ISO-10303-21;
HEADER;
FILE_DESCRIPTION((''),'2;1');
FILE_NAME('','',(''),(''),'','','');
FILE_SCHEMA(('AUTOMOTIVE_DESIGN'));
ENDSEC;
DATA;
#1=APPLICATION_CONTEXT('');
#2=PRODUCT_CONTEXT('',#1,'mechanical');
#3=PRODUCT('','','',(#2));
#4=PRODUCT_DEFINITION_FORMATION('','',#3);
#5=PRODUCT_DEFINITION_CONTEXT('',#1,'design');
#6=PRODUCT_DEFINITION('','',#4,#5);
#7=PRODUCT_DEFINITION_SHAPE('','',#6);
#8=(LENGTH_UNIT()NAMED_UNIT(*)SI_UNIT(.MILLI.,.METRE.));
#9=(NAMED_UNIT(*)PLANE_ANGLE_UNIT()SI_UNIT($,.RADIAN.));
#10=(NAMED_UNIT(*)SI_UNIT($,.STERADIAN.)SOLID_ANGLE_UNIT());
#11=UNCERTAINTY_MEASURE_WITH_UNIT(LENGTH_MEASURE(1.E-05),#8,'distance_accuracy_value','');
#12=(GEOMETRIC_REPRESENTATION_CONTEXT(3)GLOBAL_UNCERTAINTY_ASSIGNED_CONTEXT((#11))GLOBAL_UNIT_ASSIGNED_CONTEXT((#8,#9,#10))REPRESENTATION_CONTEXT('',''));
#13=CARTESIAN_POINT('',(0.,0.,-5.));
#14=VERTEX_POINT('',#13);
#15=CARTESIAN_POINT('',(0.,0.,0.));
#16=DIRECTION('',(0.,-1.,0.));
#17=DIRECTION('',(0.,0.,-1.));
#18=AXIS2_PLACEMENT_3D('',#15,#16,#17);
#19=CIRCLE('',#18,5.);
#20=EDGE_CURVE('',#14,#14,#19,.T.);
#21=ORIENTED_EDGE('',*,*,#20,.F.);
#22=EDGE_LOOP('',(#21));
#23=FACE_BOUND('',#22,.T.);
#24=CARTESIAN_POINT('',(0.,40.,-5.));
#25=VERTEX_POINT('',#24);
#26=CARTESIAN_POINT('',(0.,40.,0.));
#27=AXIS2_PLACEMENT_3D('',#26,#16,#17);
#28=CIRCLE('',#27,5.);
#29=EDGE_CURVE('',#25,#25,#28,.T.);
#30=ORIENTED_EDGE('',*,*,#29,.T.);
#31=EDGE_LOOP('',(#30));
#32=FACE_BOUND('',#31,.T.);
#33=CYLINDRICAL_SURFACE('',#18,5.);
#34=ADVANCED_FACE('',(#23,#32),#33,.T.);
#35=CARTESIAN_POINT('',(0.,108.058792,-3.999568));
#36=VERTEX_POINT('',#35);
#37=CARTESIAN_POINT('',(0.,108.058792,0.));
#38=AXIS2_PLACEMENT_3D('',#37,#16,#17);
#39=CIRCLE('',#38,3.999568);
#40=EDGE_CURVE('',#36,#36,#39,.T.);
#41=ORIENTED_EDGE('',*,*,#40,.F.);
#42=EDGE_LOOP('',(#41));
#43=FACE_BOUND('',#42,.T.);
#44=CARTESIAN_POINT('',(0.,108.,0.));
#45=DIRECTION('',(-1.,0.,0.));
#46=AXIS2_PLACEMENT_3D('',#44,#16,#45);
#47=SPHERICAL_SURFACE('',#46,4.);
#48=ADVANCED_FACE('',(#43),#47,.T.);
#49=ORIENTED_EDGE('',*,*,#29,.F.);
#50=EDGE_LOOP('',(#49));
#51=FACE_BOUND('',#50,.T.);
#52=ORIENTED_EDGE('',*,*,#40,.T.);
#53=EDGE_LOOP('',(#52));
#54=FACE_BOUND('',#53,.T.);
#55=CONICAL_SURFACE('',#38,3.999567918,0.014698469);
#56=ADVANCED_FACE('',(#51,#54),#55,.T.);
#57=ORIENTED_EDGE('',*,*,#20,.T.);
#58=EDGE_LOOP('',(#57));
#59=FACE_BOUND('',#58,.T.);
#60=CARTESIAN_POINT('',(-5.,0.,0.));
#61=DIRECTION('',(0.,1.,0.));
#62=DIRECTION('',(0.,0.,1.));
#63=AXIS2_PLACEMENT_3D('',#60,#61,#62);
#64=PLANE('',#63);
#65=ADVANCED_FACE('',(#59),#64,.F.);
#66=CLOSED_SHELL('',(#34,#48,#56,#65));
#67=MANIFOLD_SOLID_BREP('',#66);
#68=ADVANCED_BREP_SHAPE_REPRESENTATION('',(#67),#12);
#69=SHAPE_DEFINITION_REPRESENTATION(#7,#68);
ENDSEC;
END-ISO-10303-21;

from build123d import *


with BuildPart() as part:
    # Sketch1 → Revolve1 (revolve)
    with BuildSketch(Plane.XY, mode=Mode.PRIVATE) as revolve1_sk:
        with BuildLine():
            Line((0, 0), (0, 112))
            ThreePointArc((0, 112), (-2.807564155, 110.849137329), (-3.999567918, 108.058791759))
            Line((-3.999567918, 108.058791759), (-5, 40))
            Line((-5, 40), (-5, 0))
            Line((-5, 0), (0, 0))
        make_face()
    revolve(revolve1_sk.sketch.rotate(Axis((0, 0, 0), (0, 1, 0)), 270), axis=Axis((0, 0, 0), (0, 1, 0)))


solid = part.part
